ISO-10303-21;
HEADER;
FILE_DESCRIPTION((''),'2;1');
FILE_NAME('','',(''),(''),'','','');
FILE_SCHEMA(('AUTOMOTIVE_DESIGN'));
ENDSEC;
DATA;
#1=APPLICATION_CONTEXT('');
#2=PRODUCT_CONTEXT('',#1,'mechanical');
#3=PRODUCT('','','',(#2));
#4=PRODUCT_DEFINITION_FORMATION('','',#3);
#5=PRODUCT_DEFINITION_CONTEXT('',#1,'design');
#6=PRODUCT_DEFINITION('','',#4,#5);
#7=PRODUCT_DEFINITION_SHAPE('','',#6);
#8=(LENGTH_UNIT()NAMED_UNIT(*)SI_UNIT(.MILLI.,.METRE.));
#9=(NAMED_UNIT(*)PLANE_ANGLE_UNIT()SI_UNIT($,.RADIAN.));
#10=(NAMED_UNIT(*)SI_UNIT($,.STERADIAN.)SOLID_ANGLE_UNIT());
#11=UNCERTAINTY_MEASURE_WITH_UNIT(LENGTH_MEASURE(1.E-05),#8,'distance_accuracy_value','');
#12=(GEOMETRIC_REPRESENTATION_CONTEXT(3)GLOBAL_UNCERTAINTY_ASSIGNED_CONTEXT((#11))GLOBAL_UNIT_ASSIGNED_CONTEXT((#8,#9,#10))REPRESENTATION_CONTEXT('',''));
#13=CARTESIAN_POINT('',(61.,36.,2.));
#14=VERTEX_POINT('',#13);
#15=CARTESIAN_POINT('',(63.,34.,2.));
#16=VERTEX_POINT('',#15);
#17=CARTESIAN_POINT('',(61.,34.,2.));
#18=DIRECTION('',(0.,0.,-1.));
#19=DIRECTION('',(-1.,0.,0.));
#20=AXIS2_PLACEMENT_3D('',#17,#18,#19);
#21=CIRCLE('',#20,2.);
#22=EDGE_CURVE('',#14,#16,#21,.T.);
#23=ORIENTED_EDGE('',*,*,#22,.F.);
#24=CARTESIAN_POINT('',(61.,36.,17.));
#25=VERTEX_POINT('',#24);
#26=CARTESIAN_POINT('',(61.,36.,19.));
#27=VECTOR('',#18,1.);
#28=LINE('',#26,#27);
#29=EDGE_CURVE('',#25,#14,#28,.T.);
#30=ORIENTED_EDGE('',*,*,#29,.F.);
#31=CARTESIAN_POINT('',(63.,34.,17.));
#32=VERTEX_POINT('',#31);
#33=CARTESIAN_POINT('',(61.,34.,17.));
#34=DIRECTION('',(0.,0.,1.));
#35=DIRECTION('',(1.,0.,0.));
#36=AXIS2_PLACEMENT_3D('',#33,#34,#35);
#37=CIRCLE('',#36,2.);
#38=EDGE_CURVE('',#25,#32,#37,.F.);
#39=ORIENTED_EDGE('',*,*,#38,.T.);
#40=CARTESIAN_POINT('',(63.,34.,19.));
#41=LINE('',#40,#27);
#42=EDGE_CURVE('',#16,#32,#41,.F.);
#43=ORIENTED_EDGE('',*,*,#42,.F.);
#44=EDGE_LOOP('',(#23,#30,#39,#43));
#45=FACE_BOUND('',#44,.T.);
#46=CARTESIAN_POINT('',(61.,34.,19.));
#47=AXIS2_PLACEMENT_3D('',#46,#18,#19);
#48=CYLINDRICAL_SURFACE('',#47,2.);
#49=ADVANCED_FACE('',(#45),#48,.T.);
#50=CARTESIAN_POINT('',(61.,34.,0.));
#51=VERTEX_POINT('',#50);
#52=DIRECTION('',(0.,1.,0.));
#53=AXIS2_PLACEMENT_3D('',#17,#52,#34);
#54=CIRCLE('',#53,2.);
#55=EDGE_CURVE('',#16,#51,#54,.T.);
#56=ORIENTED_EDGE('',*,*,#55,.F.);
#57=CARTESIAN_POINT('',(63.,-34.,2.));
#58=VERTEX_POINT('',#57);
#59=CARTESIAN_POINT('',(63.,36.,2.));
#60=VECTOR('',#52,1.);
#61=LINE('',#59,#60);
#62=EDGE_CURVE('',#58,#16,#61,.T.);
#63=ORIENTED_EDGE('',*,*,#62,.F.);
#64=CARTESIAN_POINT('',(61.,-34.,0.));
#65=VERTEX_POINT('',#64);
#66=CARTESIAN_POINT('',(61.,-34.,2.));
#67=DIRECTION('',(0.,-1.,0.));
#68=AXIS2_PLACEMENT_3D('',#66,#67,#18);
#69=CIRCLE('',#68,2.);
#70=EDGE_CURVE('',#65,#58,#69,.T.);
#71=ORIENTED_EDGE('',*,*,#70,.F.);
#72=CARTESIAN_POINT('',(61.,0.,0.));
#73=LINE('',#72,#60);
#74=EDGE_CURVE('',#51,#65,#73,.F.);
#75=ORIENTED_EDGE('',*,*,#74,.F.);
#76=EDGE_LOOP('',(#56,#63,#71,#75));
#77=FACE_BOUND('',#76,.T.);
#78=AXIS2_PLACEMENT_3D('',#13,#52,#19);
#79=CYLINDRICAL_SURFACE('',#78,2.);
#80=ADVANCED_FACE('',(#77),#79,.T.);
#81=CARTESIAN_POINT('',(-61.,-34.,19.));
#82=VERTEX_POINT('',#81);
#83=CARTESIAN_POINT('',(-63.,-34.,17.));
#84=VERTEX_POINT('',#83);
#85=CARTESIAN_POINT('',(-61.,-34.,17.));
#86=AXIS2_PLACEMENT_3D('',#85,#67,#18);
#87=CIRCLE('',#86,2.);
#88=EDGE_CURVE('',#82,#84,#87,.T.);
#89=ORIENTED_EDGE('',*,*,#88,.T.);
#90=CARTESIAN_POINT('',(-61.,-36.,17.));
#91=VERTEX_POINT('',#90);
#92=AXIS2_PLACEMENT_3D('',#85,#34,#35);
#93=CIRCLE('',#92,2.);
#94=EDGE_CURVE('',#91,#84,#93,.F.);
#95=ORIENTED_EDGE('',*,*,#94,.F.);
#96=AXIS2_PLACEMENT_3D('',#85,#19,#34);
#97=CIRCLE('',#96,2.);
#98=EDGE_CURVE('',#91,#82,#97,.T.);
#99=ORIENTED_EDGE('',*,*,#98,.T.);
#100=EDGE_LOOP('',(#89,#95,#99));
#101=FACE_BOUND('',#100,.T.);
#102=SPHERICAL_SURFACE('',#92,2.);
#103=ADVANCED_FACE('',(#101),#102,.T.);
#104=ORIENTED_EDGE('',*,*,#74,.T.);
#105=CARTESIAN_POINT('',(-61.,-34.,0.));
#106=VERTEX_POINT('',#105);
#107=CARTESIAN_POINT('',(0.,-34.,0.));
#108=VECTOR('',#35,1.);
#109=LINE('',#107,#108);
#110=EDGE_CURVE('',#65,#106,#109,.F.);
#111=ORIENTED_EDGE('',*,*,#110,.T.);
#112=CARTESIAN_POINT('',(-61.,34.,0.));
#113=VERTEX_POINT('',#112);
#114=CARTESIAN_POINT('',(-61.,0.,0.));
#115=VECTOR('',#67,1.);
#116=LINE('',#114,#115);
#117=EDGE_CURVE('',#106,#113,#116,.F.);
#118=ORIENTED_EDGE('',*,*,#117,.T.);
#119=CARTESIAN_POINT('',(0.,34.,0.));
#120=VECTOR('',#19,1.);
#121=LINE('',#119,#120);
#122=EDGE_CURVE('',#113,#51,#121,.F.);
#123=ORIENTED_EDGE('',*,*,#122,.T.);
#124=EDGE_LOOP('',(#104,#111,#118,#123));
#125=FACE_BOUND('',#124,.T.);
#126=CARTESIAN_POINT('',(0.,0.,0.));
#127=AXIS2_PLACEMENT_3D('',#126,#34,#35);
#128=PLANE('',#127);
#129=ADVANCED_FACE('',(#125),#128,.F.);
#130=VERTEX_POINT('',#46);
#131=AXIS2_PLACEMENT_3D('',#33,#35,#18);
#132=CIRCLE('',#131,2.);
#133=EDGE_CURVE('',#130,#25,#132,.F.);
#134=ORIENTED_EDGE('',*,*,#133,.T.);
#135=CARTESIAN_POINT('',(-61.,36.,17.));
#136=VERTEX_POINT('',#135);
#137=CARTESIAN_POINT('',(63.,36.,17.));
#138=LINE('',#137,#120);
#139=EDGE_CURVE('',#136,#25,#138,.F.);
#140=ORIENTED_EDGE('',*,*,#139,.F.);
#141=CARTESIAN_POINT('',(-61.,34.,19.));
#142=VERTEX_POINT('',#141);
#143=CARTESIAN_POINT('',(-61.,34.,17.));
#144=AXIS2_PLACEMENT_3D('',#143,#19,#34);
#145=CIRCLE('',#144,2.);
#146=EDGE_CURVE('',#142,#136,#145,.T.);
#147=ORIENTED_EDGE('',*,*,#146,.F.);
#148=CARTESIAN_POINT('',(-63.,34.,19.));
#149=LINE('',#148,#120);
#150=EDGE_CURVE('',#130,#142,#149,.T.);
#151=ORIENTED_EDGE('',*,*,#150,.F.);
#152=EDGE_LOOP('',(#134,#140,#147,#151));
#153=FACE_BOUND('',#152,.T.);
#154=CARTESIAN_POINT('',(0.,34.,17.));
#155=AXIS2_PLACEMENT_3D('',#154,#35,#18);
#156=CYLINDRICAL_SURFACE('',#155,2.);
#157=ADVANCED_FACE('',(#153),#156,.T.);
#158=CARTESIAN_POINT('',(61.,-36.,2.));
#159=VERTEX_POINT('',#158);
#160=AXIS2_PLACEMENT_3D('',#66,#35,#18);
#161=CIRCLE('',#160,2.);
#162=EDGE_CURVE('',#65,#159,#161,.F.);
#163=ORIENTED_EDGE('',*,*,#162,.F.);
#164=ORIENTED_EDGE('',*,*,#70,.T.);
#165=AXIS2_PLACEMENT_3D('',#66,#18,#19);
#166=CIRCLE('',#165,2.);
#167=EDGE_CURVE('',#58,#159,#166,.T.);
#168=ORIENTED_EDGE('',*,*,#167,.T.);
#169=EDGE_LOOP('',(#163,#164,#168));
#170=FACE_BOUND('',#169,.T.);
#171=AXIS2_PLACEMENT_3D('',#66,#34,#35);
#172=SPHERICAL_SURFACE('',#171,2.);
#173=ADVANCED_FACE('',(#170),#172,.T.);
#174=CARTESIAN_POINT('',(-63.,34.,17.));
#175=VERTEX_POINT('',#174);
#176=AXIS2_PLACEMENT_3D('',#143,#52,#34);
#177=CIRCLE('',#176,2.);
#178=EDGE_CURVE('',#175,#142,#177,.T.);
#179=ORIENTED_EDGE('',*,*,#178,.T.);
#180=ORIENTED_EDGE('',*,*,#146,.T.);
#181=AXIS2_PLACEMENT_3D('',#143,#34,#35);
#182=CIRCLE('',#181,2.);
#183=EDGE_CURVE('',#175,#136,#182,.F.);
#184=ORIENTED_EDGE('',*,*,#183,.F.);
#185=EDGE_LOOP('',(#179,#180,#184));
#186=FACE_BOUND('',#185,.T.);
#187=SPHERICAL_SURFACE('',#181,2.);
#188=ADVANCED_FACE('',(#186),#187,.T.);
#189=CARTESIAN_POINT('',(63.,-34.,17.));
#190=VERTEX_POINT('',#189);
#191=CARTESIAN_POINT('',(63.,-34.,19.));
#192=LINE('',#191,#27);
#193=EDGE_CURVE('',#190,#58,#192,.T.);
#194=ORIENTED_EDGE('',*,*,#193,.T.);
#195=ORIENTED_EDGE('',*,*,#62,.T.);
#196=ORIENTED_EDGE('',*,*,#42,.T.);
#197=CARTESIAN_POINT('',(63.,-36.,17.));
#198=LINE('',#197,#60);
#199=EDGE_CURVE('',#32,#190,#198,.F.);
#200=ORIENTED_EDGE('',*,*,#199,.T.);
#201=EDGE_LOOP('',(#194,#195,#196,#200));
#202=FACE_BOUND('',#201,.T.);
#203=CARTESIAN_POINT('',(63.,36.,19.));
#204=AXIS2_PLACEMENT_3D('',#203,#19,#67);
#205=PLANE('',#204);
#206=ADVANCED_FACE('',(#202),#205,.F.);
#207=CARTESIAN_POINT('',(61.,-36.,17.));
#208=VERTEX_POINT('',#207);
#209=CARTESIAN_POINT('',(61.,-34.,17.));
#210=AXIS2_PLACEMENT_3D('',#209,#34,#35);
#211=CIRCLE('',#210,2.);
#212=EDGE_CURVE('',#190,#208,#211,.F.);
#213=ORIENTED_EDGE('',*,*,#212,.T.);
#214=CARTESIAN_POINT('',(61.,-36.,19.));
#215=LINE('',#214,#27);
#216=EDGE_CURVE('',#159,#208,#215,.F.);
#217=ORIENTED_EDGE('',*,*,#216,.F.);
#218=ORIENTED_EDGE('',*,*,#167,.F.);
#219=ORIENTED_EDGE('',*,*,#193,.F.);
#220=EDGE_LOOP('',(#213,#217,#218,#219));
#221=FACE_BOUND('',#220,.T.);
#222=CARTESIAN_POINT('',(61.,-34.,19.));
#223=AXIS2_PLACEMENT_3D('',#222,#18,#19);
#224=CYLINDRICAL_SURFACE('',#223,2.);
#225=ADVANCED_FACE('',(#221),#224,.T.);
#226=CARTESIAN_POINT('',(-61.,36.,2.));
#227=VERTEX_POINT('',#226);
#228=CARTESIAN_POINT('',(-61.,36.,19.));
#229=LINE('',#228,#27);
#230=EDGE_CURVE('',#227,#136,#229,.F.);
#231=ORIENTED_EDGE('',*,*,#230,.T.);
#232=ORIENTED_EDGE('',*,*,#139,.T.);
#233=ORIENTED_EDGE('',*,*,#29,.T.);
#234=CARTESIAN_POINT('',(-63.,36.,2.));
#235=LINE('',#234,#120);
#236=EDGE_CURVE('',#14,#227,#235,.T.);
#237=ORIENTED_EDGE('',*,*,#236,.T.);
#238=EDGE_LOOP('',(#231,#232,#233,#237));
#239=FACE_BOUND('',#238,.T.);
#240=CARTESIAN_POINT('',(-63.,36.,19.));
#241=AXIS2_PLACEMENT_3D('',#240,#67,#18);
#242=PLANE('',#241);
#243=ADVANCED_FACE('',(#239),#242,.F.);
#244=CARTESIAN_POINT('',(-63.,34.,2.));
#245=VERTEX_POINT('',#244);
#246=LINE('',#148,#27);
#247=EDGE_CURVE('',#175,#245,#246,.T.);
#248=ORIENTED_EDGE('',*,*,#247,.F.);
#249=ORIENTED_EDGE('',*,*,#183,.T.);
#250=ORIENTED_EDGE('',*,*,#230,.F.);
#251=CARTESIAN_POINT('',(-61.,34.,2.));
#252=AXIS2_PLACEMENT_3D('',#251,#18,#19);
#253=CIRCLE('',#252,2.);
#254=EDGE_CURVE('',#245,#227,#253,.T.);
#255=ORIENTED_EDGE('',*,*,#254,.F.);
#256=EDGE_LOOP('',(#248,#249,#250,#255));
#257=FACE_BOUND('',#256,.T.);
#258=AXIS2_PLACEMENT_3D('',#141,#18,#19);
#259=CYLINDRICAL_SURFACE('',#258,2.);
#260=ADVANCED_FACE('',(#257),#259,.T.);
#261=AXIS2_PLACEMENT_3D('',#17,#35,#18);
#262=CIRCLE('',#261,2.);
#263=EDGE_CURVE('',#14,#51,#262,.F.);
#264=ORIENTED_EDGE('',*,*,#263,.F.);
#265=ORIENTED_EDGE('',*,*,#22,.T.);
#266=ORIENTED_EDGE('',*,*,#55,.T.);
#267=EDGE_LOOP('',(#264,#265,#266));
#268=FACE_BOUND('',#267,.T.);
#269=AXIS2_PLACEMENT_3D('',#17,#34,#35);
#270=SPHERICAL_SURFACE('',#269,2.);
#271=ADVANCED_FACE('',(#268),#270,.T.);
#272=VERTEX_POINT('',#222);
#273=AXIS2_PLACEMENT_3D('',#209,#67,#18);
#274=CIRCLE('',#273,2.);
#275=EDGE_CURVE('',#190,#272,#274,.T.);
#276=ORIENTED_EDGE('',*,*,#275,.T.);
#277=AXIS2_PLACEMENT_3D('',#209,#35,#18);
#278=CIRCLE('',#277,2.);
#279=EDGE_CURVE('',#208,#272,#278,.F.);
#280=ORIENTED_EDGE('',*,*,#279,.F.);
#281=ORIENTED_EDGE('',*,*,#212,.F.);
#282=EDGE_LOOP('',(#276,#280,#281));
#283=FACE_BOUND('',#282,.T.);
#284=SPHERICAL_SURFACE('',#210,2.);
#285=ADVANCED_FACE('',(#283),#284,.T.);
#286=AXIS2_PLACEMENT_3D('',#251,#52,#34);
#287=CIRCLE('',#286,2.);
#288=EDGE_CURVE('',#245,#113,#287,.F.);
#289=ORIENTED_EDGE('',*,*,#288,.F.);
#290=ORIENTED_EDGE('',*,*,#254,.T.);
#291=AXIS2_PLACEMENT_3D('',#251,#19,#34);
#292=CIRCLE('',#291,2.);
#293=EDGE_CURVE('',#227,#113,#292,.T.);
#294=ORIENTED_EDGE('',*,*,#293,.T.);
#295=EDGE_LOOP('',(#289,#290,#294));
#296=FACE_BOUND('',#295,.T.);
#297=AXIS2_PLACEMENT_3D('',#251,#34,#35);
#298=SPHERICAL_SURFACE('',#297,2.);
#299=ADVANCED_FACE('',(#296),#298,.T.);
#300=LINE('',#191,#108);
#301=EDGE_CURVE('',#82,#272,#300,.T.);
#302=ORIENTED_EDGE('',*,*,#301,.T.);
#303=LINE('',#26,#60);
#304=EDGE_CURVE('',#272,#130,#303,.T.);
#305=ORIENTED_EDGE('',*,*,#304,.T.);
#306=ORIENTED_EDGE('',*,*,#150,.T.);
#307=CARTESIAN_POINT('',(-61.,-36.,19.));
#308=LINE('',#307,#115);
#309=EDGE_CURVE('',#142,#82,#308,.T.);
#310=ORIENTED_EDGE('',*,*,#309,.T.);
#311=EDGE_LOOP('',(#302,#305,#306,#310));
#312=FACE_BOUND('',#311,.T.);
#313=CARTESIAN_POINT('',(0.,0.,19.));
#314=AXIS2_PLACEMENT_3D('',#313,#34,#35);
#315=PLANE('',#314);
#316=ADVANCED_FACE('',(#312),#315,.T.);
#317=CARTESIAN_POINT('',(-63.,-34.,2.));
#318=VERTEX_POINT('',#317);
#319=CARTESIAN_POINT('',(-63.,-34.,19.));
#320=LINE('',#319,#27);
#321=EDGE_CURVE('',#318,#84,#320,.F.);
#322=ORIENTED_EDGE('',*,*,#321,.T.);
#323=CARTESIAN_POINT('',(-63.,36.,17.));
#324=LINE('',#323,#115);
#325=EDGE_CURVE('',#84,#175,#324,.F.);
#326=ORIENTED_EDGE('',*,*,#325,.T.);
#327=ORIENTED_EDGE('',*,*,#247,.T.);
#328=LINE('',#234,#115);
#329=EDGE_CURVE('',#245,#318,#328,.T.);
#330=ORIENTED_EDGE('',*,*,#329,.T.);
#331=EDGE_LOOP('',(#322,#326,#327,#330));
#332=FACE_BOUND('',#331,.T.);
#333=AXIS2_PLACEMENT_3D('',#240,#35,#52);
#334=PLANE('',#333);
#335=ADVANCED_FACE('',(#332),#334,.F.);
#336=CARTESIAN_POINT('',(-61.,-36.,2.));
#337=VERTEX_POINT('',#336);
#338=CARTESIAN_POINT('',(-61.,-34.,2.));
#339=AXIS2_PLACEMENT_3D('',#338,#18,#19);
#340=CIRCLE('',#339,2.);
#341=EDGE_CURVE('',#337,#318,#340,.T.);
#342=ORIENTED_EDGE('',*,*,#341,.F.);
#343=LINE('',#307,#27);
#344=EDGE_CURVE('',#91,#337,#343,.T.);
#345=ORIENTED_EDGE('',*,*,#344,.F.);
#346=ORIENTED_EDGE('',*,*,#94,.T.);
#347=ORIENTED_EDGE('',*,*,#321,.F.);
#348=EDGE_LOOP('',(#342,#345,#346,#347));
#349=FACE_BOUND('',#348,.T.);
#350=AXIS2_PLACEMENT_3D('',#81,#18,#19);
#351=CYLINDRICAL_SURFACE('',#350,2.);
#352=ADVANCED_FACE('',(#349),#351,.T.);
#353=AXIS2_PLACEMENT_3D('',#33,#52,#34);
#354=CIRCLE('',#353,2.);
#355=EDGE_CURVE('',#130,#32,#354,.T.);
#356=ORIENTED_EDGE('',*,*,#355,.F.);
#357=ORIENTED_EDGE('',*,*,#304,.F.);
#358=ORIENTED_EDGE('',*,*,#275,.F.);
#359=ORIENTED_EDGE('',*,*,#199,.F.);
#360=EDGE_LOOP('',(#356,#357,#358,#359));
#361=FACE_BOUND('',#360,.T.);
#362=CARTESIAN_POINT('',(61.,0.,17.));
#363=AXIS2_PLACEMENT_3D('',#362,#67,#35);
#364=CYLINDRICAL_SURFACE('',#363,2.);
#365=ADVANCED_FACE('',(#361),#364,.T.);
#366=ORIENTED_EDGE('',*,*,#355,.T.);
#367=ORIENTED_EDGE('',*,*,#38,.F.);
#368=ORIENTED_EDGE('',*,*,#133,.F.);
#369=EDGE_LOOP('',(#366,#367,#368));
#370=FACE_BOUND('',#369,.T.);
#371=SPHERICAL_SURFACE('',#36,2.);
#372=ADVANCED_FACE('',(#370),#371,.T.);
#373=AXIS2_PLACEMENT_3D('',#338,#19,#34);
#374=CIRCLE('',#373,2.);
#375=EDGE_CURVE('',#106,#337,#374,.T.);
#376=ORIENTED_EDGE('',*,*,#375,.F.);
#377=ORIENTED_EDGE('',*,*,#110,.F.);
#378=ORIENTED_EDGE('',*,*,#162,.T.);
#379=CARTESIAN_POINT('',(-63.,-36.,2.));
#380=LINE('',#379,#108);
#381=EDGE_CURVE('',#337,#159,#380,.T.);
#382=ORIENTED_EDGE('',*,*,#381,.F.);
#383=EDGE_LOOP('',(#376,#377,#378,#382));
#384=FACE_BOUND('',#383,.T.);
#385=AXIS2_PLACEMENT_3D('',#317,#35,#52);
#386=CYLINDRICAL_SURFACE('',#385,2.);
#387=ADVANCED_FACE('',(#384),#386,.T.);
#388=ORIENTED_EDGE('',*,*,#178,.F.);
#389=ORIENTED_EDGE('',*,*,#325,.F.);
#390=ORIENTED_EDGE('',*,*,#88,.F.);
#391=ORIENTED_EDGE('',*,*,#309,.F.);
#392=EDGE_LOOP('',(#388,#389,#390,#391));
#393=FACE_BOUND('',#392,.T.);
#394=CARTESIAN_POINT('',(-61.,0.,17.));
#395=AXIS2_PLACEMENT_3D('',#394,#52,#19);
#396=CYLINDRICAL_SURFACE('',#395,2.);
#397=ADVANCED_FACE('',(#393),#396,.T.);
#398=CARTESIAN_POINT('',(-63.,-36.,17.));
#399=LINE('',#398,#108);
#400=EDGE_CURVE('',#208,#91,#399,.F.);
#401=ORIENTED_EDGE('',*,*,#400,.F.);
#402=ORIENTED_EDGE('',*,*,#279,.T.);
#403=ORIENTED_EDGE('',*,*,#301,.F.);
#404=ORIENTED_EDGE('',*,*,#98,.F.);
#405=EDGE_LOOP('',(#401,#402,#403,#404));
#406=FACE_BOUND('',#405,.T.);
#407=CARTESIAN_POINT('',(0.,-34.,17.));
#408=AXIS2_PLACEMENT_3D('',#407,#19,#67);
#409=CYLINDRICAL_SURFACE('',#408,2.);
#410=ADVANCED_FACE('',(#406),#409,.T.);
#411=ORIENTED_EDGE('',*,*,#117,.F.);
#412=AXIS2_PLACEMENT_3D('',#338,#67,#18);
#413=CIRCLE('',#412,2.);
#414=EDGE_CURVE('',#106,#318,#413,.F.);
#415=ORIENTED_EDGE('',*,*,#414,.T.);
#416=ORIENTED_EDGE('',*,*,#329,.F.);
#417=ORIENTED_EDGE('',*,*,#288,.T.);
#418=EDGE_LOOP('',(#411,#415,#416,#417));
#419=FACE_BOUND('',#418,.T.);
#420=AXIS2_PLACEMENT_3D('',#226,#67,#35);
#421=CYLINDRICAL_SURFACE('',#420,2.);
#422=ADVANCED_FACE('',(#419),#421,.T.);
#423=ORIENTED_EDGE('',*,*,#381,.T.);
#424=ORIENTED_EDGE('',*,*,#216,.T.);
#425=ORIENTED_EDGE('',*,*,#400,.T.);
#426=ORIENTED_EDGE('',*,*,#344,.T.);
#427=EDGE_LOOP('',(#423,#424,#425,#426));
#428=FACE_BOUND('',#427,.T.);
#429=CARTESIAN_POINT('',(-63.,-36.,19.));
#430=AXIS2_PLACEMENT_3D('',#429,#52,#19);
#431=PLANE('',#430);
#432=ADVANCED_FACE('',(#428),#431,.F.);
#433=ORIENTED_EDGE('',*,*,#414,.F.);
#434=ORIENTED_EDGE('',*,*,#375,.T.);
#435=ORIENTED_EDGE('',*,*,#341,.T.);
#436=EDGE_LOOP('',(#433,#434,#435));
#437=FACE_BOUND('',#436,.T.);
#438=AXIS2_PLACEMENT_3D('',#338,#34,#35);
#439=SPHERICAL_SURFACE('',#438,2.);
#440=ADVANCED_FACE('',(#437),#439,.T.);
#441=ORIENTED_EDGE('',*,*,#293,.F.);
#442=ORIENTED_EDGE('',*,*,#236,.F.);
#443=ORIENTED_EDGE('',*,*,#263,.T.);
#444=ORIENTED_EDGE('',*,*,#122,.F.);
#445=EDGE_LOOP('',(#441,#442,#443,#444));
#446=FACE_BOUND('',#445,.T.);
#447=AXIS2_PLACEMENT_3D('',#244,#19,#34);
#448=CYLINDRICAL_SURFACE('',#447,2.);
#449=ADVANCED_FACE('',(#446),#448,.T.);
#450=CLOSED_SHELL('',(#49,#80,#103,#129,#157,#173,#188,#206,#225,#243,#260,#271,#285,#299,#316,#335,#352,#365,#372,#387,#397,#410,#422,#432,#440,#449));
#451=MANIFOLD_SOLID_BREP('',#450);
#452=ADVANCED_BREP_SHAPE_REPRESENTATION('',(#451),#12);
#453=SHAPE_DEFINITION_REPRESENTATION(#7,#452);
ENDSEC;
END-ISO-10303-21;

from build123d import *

# Parameters (mm, degrees)
SKETCH_1_W      = 126
SKETCH_1_H      = 72
EXTRUDE_1_DEPTH = 19
FILLET_1_R      = 2


with BuildPart() as part:
    # 草图1 → 凸台-拉伸1 (new body)
    with BuildSketch(Plane.XY):
        Rectangle(SKETCH_1_W, SKETCH_1_H)
    extrude(amount=EXTRUDE_1_DEPTH)

    # 圆角1
    fillet_1_edges = [part.edges().sort_by_distance(p)[0] for p in [
        (63, 0, 19),
        (0, 36, 19),
        (-63, 0, 19),
        (0, 36, 0),
        (63, 0, 0),
        (0, -36, 0),
        (-63, 0, 0),
        (-63, 36, 9.5),
        (63, 36, 9.5),
        (63, -36, 9.5),
        (-63, -36, 9.5),
        (0, -36, 19),
    ]]
    fillet(fillet_1_edges, radius=FILLET_1_R)


solid = part.part
